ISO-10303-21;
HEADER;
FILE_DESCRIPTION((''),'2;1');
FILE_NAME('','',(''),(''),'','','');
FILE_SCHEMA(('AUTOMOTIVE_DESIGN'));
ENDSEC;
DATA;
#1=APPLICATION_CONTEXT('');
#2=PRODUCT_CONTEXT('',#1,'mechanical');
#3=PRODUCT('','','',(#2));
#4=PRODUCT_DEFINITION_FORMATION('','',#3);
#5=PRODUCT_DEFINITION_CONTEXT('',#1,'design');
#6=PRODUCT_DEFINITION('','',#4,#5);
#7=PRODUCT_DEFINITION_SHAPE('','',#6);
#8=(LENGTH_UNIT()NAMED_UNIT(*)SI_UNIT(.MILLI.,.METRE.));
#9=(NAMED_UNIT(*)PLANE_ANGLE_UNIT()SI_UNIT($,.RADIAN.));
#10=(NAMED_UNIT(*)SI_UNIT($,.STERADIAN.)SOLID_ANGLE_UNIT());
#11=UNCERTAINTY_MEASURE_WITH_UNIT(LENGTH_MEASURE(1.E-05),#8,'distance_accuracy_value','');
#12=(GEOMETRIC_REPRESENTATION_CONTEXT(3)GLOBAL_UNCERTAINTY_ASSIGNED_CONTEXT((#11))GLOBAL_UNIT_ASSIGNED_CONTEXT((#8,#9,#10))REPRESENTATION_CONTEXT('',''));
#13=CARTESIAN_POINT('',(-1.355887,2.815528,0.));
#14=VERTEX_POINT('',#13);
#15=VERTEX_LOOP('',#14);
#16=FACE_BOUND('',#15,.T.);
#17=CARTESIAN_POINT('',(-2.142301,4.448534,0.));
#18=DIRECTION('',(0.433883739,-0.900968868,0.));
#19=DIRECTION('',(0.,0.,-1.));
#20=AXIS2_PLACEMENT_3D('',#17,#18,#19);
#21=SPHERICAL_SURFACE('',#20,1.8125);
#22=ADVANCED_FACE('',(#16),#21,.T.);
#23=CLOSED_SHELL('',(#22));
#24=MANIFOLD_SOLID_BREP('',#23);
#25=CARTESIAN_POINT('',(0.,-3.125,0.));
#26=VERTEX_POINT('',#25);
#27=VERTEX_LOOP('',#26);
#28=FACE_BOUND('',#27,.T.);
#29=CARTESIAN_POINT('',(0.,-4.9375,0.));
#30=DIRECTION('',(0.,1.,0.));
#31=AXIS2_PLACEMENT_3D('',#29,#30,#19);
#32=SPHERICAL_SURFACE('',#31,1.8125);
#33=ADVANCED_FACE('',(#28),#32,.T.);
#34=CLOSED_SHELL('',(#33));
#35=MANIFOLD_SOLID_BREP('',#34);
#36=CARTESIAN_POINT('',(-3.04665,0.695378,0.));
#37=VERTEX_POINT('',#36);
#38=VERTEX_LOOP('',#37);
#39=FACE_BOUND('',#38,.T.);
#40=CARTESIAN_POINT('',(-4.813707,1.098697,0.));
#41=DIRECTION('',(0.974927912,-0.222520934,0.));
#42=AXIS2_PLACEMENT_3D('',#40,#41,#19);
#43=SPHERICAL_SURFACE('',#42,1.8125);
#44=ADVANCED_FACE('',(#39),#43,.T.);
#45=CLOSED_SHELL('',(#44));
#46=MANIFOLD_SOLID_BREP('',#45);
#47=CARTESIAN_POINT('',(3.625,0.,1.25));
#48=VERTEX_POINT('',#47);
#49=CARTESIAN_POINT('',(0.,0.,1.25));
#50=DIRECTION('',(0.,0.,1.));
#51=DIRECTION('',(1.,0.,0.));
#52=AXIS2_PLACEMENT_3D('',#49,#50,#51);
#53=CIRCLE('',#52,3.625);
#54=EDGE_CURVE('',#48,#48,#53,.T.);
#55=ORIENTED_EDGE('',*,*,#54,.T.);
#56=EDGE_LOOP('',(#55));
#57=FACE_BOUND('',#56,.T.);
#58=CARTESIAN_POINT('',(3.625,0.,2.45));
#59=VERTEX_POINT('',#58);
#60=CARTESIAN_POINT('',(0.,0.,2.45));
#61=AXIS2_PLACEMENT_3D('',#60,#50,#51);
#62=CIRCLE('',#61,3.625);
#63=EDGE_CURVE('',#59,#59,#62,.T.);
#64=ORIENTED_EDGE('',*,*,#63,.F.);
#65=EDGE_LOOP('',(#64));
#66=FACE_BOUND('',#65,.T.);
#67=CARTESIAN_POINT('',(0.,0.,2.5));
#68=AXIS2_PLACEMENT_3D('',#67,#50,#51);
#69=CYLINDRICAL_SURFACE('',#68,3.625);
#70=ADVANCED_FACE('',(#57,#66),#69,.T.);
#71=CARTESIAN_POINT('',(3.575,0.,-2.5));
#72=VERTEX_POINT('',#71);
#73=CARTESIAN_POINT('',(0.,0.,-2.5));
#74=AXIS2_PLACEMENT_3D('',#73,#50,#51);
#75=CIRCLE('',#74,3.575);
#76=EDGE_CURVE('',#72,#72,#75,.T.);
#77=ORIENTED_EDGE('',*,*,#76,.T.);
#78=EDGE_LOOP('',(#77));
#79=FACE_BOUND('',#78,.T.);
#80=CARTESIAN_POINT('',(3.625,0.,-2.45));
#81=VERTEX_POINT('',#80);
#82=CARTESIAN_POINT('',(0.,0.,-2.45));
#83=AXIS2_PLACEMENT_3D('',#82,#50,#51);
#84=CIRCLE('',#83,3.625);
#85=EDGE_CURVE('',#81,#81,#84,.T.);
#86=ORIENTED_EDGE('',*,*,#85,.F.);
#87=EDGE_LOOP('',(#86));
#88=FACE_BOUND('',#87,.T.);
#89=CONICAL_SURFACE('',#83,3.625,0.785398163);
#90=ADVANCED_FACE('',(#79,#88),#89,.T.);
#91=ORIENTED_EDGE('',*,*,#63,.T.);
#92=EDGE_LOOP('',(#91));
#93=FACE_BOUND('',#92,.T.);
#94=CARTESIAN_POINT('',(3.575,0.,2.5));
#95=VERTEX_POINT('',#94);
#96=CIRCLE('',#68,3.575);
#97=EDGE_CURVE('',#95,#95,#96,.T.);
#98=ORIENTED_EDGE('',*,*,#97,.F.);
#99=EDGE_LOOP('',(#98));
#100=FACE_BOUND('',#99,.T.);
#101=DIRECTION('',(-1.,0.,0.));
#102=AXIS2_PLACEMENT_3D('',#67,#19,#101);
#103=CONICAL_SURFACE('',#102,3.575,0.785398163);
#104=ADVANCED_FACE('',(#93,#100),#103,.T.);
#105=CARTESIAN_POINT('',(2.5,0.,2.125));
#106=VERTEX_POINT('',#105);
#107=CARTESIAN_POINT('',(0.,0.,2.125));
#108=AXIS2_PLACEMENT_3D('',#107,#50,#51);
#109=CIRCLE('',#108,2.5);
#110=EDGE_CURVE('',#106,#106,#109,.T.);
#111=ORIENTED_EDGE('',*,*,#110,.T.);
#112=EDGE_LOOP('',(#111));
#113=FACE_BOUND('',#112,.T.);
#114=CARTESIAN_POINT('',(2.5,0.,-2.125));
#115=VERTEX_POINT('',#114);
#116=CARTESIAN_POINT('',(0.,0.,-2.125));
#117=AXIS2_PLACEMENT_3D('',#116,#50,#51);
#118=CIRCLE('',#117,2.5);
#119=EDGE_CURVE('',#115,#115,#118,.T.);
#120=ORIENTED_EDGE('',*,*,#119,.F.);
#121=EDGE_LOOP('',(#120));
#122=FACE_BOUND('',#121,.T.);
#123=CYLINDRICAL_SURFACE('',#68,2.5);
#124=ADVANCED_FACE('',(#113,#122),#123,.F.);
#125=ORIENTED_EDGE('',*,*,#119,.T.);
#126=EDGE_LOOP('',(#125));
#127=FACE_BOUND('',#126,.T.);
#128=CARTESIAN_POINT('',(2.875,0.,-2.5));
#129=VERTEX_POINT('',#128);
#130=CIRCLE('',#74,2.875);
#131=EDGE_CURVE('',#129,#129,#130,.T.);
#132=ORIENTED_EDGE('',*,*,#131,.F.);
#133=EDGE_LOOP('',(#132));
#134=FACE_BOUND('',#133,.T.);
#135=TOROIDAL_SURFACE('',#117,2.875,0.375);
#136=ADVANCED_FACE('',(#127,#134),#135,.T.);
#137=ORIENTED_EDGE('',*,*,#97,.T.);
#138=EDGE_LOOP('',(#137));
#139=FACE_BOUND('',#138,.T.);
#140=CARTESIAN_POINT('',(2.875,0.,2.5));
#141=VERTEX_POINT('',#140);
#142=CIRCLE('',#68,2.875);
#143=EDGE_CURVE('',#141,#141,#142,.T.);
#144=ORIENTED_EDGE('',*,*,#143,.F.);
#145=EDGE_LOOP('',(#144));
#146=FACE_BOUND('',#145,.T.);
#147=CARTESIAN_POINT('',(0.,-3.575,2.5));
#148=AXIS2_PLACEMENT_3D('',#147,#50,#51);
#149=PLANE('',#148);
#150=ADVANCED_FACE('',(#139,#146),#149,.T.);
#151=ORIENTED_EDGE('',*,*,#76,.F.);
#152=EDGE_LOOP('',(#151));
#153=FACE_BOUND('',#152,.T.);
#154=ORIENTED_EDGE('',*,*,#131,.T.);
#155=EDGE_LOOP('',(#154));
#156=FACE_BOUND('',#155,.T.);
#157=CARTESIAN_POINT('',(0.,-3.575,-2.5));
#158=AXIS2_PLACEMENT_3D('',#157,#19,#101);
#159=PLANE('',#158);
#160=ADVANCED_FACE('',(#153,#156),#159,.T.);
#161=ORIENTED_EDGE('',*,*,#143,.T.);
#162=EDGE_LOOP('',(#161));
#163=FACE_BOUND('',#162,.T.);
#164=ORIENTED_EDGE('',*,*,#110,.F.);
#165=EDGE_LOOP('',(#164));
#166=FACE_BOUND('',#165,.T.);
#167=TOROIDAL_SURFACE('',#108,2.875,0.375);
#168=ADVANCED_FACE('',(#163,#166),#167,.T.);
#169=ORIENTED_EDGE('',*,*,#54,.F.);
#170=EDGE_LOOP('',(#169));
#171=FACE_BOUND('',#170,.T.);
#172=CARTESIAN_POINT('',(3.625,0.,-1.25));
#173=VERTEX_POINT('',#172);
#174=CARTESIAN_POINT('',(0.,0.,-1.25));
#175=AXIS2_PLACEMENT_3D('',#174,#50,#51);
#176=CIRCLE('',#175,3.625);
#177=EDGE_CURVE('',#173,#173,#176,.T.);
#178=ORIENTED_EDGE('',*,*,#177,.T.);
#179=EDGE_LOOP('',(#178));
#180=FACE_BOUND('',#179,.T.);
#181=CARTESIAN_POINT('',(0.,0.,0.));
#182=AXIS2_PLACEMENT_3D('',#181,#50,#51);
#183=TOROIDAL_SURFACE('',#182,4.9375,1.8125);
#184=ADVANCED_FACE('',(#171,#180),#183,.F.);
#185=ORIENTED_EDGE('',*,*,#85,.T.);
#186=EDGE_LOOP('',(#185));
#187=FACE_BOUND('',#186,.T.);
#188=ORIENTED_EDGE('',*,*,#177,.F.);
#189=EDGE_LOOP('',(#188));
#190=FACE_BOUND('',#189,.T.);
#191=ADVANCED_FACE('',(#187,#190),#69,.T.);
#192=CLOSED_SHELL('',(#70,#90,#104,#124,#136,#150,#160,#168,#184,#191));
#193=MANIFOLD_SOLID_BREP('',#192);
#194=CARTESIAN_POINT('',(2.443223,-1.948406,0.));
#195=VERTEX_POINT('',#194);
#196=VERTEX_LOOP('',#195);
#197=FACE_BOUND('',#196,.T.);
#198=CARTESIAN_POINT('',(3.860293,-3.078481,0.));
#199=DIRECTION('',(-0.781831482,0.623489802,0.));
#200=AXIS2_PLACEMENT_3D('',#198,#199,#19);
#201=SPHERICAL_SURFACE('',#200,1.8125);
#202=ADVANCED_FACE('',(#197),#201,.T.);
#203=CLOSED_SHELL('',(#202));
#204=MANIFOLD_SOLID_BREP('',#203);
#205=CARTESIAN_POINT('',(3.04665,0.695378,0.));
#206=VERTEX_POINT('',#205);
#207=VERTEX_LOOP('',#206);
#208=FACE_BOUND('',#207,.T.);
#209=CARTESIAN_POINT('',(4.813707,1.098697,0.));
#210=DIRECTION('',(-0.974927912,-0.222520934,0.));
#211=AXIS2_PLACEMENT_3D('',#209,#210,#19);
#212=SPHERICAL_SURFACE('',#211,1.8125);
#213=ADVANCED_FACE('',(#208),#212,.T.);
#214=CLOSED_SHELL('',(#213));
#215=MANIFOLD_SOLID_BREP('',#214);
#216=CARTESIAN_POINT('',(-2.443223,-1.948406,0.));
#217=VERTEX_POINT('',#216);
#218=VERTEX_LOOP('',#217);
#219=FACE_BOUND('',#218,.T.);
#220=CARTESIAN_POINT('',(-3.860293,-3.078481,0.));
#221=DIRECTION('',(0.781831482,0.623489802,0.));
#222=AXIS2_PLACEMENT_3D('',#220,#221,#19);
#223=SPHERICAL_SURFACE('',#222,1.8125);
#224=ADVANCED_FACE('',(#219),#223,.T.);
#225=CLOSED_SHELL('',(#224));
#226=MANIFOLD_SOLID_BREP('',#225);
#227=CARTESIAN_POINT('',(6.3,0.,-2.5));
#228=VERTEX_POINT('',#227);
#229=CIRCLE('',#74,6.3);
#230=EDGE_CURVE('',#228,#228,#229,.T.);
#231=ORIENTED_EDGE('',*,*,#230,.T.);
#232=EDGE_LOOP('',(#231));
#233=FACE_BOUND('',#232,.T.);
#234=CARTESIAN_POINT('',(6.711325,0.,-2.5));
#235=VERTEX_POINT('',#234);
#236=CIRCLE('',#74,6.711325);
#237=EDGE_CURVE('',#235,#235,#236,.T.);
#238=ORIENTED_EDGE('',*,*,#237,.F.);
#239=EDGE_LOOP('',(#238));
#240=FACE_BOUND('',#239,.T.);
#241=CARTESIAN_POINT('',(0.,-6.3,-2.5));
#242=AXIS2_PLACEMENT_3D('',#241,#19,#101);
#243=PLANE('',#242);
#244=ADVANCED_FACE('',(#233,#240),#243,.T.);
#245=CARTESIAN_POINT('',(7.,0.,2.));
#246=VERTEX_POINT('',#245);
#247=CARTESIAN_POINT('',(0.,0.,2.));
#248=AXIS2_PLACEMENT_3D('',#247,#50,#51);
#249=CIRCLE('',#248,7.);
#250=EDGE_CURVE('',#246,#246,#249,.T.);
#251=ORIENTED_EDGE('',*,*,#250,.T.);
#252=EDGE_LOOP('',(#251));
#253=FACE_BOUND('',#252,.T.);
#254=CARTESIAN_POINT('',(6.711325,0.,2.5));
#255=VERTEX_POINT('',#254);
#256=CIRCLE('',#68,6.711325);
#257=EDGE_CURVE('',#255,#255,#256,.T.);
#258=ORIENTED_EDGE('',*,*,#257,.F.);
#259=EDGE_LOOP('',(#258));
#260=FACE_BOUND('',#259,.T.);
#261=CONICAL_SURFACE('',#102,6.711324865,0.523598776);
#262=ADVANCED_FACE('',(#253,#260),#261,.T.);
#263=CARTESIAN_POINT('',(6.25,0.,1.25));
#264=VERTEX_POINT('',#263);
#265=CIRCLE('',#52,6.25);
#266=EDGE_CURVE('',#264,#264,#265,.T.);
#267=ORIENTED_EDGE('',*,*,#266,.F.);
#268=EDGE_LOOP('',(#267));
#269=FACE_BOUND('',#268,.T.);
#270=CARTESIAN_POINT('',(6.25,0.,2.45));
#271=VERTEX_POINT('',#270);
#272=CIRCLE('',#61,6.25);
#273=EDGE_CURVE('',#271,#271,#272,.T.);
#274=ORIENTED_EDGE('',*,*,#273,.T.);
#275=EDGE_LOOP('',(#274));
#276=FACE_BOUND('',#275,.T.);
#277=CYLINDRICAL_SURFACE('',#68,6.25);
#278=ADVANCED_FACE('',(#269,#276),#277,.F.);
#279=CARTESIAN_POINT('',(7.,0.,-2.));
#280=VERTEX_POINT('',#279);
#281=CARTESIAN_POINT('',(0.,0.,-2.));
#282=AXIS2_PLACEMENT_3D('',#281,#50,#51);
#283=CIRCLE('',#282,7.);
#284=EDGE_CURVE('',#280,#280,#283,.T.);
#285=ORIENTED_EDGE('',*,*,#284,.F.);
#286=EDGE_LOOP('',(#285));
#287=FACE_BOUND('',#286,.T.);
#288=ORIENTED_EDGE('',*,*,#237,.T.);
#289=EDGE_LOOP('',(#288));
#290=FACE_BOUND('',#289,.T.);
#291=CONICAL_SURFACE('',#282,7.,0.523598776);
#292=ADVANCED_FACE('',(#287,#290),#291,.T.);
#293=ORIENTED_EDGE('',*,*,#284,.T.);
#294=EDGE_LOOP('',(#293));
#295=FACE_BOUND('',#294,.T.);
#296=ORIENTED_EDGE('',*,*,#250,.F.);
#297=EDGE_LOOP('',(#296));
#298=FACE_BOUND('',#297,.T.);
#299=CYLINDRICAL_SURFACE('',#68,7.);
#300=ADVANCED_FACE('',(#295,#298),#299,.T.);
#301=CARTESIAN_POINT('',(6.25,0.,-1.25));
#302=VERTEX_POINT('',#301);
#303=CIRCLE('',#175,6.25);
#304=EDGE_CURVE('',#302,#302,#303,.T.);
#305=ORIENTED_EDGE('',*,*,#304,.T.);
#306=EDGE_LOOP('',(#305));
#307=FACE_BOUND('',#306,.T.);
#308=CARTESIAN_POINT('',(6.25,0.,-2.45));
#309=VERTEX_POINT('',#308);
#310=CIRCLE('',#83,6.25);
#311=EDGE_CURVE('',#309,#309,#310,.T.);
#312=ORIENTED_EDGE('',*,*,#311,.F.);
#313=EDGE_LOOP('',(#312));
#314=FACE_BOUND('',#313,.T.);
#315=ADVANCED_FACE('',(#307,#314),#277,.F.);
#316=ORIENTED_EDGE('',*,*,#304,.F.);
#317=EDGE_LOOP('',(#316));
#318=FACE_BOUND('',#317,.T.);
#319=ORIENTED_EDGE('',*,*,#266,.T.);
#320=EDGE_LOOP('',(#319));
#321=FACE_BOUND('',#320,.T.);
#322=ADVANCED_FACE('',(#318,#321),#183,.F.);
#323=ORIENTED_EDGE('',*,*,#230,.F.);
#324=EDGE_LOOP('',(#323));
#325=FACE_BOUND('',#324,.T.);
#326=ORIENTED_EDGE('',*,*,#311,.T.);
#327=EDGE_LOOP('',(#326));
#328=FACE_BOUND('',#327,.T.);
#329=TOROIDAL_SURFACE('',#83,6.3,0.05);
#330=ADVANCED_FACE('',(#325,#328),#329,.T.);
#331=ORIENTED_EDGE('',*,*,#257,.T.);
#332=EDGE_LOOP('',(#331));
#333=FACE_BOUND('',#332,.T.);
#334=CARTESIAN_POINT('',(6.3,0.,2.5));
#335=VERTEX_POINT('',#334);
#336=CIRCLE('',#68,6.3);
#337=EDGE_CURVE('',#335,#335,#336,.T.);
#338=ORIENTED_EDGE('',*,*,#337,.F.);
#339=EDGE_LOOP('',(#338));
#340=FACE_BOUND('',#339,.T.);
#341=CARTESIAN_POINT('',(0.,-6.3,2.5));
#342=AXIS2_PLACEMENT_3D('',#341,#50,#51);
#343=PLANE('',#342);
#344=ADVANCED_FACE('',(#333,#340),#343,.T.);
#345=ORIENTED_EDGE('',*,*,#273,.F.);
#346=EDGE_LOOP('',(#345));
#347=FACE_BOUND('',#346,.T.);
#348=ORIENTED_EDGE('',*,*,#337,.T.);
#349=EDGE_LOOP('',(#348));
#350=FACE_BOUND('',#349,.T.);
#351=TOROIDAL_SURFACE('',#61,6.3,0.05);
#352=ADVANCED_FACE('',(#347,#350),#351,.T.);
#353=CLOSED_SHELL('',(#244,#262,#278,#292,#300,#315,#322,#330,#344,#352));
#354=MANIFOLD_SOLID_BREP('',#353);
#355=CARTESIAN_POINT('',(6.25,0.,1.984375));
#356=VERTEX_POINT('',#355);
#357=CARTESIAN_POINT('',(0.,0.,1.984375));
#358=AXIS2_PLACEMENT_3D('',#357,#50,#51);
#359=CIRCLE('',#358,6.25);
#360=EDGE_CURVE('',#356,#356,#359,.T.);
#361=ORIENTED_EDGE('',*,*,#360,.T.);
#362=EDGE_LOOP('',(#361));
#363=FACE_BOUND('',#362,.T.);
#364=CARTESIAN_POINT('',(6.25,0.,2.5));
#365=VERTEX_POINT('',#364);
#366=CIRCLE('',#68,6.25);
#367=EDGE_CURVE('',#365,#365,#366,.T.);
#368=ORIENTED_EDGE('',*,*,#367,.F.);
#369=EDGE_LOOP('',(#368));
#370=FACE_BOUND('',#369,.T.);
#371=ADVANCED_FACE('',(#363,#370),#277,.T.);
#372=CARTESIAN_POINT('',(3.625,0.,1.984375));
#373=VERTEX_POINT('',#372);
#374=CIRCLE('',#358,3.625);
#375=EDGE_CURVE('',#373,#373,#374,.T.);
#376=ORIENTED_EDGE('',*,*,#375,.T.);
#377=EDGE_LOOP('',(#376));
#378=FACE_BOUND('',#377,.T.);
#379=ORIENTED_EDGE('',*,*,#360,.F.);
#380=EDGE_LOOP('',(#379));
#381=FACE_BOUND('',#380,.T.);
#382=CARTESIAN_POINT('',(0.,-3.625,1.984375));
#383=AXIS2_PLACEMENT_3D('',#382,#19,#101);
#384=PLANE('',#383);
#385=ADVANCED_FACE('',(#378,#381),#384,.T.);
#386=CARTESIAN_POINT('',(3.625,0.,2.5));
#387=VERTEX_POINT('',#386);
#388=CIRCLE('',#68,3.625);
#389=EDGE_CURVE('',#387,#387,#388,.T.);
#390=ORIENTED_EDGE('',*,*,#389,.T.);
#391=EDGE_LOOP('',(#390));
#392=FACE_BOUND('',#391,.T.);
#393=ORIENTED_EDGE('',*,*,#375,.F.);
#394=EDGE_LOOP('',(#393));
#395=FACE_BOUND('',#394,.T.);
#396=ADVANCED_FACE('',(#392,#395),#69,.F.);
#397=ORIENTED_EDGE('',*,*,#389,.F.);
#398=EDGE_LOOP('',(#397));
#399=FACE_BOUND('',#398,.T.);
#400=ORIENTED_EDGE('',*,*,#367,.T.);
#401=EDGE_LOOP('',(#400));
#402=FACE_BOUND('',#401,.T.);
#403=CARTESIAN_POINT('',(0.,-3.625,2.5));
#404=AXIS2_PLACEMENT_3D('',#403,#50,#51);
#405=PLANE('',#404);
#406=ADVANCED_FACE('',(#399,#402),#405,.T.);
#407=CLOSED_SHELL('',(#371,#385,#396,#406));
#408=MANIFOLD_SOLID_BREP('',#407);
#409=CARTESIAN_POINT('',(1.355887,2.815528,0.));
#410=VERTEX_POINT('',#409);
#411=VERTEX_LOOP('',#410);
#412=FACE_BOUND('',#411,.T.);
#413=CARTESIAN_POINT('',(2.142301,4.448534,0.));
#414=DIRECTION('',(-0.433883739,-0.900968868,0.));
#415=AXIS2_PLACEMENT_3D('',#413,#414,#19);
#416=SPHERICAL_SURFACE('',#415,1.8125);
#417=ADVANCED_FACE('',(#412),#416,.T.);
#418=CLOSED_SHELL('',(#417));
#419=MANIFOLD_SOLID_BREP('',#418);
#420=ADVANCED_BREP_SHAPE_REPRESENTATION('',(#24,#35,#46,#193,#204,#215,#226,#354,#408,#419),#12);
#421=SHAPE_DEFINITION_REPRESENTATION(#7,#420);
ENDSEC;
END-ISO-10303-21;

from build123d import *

# Parameters (mm, degrees)
SKETCH4_W         = 0.515625
SKETCH4_H         = 2.625
CIRPATTERN1_COUNT = 7


with BuildPart() as part:
    # Sketch3 → Revolve1 (revolve)
    with BuildSketch(Plane(origin=(0, 0, 0), x_dir=(0, 0, -1), z_dir=(1, 0, 0)), mode=Mode.PRIVATE) as revolve1_sk:
        with BuildLine():
            Line((-2, -7), (2, -7))
            Line((2, -7), (2.5, -6.711324865))
            Line((2.5, -6.711324865), (2.5, -6.3))
            ThreePointArc((2.5, -6.3), (2.485355339, -6.264644661), (2.45, -6.25))
            Line((2.45, -6.25), (1.25, -6.25))
            ThreePointArc((1.25, -6.25), (0, -6.75), (-1.25, -6.25))
            Line((-1.25, -6.25), (-2.45, -6.25))
            ThreePointArc((-2.45, -6.25), (-2.485355339, -6.264644661), (-2.5, -6.3))
            Line((-2.5, -6.3), (-2.5, -6.711324865))
            Line((-2.5, -6.711324865), (-2, -7))
        make_face()
        with BuildLine():
            Line((-2.125, -2.5), (2.125, -2.5))
            ThreePointArc((2.125, -2.5), (2.390165043, -2.609834957), (2.5, -2.875))
            Line((2.5, -2.875), (2.5, -3.575))
            Line((2.5, -3.575), (2.45, -3.625))
            Line((2.45, -3.625), (1.25, -3.625))
            ThreePointArc((1.25, -3.625), (0, -3.125), (-1.25, -3.625))
            Line((-1.25, -3.625), (-2.45, -3.625))
            Line((-2.45, -3.625), (-2.5, -3.575))
            Line((-2.5, -3.575), (-2.5, -2.875))
            ThreePointArc((-2.5, -2.875), (-2.390165043, -2.609834957), (-2.125, -2.5))
        make_face()
    revolve(revolve1_sk.sketch.rotate(Axis((0, 0, 2.5), (0, 0, -1)), 270), axis=Axis((0, 0, 2.5), (0, 0, -1)))


with BuildPart() as body_2:
    # Sketch4 → Revolve2 (revolve)
    with BuildSketch(Plane(origin=(0, 0, 0), x_dir=(0, 0, -1), z_dir=(1, 0, 0)), mode=Mode.PRIVATE) as revolve2_sk:
        with Locations((-2.2421875, -4.9375)):
            Rectangle(SKETCH4_W, SKETCH4_H)
    revolve(revolve2_sk.sketch.rotate(Axis((0, 0, 2.5), (0, 0, -1)), 270), axis=Axis((0, 0, 2.5), (0, 0, -1)))


with BuildPart() as body_3:
    # Sketch5 → Revolve3 (revolve)
    with BuildSketch(Plane(origin=(0, 0, 0), x_dir=(0, 0, -1), z_dir=(1, 0, 0))):
        with BuildLine():
            Line((0, -3.125), (0, -6.75))
            ThreePointArc((0, -6.75), (-1.8125, -4.9375), (0, -3.125))
        make_face()
    revolve(axis=Axis((0, 0, 0), (0, -1, 0)))


with BuildPart() as cirpattern1_1:
    # CirPattern1: pattern copy
    add(body_3.part.rotate(Axis((0, 0, 0), (0, 0, 1)), 1 * 360 / CIRPATTERN1_COUNT))


with BuildPart() as cirpattern1_2:
    # CirPattern1: pattern copy
    add(body_3.part.rotate(Axis((0, 0, 0), (0, 0, 1)), 2 * 360 / CIRPATTERN1_COUNT))


with BuildPart() as cirpattern1_3:
    # CirPattern1: pattern copy
    add(body_3.part.rotate(Axis((0, 0, 0), (0, 0, 1)), 3 * 360 / CIRPATTERN1_COUNT))


with BuildPart() as cirpattern1_4:
    # CirPattern1: pattern copy
    add(body_3.part.rotate(Axis((0, 0, 0), (0, 0, 1)), 4 * 360 / CIRPATTERN1_COUNT))


with BuildPart() as cirpattern1_5:
    # CirPattern1: pattern copy
    add(body_3.part.rotate(Axis((0, 0, 0), (0, 0, 1)), 5 * 360 / CIRPATTERN1_COUNT))


with BuildPart() as cirpattern1_6:
    # CirPattern1: pattern copy
    add(body_3.part.rotate(Axis((0, 0, 0), (0, 0, 1)), 6 * 360 / CIRPATTERN1_COUNT))


solid = Compound([part.part, body_2.part, body_3.part, cirpattern1_1.part, cirpattern1_2.part, cirpattern1_3.part, cirpattern1_4.part, cirpattern1_5.part, cirpattern1_6.part])
